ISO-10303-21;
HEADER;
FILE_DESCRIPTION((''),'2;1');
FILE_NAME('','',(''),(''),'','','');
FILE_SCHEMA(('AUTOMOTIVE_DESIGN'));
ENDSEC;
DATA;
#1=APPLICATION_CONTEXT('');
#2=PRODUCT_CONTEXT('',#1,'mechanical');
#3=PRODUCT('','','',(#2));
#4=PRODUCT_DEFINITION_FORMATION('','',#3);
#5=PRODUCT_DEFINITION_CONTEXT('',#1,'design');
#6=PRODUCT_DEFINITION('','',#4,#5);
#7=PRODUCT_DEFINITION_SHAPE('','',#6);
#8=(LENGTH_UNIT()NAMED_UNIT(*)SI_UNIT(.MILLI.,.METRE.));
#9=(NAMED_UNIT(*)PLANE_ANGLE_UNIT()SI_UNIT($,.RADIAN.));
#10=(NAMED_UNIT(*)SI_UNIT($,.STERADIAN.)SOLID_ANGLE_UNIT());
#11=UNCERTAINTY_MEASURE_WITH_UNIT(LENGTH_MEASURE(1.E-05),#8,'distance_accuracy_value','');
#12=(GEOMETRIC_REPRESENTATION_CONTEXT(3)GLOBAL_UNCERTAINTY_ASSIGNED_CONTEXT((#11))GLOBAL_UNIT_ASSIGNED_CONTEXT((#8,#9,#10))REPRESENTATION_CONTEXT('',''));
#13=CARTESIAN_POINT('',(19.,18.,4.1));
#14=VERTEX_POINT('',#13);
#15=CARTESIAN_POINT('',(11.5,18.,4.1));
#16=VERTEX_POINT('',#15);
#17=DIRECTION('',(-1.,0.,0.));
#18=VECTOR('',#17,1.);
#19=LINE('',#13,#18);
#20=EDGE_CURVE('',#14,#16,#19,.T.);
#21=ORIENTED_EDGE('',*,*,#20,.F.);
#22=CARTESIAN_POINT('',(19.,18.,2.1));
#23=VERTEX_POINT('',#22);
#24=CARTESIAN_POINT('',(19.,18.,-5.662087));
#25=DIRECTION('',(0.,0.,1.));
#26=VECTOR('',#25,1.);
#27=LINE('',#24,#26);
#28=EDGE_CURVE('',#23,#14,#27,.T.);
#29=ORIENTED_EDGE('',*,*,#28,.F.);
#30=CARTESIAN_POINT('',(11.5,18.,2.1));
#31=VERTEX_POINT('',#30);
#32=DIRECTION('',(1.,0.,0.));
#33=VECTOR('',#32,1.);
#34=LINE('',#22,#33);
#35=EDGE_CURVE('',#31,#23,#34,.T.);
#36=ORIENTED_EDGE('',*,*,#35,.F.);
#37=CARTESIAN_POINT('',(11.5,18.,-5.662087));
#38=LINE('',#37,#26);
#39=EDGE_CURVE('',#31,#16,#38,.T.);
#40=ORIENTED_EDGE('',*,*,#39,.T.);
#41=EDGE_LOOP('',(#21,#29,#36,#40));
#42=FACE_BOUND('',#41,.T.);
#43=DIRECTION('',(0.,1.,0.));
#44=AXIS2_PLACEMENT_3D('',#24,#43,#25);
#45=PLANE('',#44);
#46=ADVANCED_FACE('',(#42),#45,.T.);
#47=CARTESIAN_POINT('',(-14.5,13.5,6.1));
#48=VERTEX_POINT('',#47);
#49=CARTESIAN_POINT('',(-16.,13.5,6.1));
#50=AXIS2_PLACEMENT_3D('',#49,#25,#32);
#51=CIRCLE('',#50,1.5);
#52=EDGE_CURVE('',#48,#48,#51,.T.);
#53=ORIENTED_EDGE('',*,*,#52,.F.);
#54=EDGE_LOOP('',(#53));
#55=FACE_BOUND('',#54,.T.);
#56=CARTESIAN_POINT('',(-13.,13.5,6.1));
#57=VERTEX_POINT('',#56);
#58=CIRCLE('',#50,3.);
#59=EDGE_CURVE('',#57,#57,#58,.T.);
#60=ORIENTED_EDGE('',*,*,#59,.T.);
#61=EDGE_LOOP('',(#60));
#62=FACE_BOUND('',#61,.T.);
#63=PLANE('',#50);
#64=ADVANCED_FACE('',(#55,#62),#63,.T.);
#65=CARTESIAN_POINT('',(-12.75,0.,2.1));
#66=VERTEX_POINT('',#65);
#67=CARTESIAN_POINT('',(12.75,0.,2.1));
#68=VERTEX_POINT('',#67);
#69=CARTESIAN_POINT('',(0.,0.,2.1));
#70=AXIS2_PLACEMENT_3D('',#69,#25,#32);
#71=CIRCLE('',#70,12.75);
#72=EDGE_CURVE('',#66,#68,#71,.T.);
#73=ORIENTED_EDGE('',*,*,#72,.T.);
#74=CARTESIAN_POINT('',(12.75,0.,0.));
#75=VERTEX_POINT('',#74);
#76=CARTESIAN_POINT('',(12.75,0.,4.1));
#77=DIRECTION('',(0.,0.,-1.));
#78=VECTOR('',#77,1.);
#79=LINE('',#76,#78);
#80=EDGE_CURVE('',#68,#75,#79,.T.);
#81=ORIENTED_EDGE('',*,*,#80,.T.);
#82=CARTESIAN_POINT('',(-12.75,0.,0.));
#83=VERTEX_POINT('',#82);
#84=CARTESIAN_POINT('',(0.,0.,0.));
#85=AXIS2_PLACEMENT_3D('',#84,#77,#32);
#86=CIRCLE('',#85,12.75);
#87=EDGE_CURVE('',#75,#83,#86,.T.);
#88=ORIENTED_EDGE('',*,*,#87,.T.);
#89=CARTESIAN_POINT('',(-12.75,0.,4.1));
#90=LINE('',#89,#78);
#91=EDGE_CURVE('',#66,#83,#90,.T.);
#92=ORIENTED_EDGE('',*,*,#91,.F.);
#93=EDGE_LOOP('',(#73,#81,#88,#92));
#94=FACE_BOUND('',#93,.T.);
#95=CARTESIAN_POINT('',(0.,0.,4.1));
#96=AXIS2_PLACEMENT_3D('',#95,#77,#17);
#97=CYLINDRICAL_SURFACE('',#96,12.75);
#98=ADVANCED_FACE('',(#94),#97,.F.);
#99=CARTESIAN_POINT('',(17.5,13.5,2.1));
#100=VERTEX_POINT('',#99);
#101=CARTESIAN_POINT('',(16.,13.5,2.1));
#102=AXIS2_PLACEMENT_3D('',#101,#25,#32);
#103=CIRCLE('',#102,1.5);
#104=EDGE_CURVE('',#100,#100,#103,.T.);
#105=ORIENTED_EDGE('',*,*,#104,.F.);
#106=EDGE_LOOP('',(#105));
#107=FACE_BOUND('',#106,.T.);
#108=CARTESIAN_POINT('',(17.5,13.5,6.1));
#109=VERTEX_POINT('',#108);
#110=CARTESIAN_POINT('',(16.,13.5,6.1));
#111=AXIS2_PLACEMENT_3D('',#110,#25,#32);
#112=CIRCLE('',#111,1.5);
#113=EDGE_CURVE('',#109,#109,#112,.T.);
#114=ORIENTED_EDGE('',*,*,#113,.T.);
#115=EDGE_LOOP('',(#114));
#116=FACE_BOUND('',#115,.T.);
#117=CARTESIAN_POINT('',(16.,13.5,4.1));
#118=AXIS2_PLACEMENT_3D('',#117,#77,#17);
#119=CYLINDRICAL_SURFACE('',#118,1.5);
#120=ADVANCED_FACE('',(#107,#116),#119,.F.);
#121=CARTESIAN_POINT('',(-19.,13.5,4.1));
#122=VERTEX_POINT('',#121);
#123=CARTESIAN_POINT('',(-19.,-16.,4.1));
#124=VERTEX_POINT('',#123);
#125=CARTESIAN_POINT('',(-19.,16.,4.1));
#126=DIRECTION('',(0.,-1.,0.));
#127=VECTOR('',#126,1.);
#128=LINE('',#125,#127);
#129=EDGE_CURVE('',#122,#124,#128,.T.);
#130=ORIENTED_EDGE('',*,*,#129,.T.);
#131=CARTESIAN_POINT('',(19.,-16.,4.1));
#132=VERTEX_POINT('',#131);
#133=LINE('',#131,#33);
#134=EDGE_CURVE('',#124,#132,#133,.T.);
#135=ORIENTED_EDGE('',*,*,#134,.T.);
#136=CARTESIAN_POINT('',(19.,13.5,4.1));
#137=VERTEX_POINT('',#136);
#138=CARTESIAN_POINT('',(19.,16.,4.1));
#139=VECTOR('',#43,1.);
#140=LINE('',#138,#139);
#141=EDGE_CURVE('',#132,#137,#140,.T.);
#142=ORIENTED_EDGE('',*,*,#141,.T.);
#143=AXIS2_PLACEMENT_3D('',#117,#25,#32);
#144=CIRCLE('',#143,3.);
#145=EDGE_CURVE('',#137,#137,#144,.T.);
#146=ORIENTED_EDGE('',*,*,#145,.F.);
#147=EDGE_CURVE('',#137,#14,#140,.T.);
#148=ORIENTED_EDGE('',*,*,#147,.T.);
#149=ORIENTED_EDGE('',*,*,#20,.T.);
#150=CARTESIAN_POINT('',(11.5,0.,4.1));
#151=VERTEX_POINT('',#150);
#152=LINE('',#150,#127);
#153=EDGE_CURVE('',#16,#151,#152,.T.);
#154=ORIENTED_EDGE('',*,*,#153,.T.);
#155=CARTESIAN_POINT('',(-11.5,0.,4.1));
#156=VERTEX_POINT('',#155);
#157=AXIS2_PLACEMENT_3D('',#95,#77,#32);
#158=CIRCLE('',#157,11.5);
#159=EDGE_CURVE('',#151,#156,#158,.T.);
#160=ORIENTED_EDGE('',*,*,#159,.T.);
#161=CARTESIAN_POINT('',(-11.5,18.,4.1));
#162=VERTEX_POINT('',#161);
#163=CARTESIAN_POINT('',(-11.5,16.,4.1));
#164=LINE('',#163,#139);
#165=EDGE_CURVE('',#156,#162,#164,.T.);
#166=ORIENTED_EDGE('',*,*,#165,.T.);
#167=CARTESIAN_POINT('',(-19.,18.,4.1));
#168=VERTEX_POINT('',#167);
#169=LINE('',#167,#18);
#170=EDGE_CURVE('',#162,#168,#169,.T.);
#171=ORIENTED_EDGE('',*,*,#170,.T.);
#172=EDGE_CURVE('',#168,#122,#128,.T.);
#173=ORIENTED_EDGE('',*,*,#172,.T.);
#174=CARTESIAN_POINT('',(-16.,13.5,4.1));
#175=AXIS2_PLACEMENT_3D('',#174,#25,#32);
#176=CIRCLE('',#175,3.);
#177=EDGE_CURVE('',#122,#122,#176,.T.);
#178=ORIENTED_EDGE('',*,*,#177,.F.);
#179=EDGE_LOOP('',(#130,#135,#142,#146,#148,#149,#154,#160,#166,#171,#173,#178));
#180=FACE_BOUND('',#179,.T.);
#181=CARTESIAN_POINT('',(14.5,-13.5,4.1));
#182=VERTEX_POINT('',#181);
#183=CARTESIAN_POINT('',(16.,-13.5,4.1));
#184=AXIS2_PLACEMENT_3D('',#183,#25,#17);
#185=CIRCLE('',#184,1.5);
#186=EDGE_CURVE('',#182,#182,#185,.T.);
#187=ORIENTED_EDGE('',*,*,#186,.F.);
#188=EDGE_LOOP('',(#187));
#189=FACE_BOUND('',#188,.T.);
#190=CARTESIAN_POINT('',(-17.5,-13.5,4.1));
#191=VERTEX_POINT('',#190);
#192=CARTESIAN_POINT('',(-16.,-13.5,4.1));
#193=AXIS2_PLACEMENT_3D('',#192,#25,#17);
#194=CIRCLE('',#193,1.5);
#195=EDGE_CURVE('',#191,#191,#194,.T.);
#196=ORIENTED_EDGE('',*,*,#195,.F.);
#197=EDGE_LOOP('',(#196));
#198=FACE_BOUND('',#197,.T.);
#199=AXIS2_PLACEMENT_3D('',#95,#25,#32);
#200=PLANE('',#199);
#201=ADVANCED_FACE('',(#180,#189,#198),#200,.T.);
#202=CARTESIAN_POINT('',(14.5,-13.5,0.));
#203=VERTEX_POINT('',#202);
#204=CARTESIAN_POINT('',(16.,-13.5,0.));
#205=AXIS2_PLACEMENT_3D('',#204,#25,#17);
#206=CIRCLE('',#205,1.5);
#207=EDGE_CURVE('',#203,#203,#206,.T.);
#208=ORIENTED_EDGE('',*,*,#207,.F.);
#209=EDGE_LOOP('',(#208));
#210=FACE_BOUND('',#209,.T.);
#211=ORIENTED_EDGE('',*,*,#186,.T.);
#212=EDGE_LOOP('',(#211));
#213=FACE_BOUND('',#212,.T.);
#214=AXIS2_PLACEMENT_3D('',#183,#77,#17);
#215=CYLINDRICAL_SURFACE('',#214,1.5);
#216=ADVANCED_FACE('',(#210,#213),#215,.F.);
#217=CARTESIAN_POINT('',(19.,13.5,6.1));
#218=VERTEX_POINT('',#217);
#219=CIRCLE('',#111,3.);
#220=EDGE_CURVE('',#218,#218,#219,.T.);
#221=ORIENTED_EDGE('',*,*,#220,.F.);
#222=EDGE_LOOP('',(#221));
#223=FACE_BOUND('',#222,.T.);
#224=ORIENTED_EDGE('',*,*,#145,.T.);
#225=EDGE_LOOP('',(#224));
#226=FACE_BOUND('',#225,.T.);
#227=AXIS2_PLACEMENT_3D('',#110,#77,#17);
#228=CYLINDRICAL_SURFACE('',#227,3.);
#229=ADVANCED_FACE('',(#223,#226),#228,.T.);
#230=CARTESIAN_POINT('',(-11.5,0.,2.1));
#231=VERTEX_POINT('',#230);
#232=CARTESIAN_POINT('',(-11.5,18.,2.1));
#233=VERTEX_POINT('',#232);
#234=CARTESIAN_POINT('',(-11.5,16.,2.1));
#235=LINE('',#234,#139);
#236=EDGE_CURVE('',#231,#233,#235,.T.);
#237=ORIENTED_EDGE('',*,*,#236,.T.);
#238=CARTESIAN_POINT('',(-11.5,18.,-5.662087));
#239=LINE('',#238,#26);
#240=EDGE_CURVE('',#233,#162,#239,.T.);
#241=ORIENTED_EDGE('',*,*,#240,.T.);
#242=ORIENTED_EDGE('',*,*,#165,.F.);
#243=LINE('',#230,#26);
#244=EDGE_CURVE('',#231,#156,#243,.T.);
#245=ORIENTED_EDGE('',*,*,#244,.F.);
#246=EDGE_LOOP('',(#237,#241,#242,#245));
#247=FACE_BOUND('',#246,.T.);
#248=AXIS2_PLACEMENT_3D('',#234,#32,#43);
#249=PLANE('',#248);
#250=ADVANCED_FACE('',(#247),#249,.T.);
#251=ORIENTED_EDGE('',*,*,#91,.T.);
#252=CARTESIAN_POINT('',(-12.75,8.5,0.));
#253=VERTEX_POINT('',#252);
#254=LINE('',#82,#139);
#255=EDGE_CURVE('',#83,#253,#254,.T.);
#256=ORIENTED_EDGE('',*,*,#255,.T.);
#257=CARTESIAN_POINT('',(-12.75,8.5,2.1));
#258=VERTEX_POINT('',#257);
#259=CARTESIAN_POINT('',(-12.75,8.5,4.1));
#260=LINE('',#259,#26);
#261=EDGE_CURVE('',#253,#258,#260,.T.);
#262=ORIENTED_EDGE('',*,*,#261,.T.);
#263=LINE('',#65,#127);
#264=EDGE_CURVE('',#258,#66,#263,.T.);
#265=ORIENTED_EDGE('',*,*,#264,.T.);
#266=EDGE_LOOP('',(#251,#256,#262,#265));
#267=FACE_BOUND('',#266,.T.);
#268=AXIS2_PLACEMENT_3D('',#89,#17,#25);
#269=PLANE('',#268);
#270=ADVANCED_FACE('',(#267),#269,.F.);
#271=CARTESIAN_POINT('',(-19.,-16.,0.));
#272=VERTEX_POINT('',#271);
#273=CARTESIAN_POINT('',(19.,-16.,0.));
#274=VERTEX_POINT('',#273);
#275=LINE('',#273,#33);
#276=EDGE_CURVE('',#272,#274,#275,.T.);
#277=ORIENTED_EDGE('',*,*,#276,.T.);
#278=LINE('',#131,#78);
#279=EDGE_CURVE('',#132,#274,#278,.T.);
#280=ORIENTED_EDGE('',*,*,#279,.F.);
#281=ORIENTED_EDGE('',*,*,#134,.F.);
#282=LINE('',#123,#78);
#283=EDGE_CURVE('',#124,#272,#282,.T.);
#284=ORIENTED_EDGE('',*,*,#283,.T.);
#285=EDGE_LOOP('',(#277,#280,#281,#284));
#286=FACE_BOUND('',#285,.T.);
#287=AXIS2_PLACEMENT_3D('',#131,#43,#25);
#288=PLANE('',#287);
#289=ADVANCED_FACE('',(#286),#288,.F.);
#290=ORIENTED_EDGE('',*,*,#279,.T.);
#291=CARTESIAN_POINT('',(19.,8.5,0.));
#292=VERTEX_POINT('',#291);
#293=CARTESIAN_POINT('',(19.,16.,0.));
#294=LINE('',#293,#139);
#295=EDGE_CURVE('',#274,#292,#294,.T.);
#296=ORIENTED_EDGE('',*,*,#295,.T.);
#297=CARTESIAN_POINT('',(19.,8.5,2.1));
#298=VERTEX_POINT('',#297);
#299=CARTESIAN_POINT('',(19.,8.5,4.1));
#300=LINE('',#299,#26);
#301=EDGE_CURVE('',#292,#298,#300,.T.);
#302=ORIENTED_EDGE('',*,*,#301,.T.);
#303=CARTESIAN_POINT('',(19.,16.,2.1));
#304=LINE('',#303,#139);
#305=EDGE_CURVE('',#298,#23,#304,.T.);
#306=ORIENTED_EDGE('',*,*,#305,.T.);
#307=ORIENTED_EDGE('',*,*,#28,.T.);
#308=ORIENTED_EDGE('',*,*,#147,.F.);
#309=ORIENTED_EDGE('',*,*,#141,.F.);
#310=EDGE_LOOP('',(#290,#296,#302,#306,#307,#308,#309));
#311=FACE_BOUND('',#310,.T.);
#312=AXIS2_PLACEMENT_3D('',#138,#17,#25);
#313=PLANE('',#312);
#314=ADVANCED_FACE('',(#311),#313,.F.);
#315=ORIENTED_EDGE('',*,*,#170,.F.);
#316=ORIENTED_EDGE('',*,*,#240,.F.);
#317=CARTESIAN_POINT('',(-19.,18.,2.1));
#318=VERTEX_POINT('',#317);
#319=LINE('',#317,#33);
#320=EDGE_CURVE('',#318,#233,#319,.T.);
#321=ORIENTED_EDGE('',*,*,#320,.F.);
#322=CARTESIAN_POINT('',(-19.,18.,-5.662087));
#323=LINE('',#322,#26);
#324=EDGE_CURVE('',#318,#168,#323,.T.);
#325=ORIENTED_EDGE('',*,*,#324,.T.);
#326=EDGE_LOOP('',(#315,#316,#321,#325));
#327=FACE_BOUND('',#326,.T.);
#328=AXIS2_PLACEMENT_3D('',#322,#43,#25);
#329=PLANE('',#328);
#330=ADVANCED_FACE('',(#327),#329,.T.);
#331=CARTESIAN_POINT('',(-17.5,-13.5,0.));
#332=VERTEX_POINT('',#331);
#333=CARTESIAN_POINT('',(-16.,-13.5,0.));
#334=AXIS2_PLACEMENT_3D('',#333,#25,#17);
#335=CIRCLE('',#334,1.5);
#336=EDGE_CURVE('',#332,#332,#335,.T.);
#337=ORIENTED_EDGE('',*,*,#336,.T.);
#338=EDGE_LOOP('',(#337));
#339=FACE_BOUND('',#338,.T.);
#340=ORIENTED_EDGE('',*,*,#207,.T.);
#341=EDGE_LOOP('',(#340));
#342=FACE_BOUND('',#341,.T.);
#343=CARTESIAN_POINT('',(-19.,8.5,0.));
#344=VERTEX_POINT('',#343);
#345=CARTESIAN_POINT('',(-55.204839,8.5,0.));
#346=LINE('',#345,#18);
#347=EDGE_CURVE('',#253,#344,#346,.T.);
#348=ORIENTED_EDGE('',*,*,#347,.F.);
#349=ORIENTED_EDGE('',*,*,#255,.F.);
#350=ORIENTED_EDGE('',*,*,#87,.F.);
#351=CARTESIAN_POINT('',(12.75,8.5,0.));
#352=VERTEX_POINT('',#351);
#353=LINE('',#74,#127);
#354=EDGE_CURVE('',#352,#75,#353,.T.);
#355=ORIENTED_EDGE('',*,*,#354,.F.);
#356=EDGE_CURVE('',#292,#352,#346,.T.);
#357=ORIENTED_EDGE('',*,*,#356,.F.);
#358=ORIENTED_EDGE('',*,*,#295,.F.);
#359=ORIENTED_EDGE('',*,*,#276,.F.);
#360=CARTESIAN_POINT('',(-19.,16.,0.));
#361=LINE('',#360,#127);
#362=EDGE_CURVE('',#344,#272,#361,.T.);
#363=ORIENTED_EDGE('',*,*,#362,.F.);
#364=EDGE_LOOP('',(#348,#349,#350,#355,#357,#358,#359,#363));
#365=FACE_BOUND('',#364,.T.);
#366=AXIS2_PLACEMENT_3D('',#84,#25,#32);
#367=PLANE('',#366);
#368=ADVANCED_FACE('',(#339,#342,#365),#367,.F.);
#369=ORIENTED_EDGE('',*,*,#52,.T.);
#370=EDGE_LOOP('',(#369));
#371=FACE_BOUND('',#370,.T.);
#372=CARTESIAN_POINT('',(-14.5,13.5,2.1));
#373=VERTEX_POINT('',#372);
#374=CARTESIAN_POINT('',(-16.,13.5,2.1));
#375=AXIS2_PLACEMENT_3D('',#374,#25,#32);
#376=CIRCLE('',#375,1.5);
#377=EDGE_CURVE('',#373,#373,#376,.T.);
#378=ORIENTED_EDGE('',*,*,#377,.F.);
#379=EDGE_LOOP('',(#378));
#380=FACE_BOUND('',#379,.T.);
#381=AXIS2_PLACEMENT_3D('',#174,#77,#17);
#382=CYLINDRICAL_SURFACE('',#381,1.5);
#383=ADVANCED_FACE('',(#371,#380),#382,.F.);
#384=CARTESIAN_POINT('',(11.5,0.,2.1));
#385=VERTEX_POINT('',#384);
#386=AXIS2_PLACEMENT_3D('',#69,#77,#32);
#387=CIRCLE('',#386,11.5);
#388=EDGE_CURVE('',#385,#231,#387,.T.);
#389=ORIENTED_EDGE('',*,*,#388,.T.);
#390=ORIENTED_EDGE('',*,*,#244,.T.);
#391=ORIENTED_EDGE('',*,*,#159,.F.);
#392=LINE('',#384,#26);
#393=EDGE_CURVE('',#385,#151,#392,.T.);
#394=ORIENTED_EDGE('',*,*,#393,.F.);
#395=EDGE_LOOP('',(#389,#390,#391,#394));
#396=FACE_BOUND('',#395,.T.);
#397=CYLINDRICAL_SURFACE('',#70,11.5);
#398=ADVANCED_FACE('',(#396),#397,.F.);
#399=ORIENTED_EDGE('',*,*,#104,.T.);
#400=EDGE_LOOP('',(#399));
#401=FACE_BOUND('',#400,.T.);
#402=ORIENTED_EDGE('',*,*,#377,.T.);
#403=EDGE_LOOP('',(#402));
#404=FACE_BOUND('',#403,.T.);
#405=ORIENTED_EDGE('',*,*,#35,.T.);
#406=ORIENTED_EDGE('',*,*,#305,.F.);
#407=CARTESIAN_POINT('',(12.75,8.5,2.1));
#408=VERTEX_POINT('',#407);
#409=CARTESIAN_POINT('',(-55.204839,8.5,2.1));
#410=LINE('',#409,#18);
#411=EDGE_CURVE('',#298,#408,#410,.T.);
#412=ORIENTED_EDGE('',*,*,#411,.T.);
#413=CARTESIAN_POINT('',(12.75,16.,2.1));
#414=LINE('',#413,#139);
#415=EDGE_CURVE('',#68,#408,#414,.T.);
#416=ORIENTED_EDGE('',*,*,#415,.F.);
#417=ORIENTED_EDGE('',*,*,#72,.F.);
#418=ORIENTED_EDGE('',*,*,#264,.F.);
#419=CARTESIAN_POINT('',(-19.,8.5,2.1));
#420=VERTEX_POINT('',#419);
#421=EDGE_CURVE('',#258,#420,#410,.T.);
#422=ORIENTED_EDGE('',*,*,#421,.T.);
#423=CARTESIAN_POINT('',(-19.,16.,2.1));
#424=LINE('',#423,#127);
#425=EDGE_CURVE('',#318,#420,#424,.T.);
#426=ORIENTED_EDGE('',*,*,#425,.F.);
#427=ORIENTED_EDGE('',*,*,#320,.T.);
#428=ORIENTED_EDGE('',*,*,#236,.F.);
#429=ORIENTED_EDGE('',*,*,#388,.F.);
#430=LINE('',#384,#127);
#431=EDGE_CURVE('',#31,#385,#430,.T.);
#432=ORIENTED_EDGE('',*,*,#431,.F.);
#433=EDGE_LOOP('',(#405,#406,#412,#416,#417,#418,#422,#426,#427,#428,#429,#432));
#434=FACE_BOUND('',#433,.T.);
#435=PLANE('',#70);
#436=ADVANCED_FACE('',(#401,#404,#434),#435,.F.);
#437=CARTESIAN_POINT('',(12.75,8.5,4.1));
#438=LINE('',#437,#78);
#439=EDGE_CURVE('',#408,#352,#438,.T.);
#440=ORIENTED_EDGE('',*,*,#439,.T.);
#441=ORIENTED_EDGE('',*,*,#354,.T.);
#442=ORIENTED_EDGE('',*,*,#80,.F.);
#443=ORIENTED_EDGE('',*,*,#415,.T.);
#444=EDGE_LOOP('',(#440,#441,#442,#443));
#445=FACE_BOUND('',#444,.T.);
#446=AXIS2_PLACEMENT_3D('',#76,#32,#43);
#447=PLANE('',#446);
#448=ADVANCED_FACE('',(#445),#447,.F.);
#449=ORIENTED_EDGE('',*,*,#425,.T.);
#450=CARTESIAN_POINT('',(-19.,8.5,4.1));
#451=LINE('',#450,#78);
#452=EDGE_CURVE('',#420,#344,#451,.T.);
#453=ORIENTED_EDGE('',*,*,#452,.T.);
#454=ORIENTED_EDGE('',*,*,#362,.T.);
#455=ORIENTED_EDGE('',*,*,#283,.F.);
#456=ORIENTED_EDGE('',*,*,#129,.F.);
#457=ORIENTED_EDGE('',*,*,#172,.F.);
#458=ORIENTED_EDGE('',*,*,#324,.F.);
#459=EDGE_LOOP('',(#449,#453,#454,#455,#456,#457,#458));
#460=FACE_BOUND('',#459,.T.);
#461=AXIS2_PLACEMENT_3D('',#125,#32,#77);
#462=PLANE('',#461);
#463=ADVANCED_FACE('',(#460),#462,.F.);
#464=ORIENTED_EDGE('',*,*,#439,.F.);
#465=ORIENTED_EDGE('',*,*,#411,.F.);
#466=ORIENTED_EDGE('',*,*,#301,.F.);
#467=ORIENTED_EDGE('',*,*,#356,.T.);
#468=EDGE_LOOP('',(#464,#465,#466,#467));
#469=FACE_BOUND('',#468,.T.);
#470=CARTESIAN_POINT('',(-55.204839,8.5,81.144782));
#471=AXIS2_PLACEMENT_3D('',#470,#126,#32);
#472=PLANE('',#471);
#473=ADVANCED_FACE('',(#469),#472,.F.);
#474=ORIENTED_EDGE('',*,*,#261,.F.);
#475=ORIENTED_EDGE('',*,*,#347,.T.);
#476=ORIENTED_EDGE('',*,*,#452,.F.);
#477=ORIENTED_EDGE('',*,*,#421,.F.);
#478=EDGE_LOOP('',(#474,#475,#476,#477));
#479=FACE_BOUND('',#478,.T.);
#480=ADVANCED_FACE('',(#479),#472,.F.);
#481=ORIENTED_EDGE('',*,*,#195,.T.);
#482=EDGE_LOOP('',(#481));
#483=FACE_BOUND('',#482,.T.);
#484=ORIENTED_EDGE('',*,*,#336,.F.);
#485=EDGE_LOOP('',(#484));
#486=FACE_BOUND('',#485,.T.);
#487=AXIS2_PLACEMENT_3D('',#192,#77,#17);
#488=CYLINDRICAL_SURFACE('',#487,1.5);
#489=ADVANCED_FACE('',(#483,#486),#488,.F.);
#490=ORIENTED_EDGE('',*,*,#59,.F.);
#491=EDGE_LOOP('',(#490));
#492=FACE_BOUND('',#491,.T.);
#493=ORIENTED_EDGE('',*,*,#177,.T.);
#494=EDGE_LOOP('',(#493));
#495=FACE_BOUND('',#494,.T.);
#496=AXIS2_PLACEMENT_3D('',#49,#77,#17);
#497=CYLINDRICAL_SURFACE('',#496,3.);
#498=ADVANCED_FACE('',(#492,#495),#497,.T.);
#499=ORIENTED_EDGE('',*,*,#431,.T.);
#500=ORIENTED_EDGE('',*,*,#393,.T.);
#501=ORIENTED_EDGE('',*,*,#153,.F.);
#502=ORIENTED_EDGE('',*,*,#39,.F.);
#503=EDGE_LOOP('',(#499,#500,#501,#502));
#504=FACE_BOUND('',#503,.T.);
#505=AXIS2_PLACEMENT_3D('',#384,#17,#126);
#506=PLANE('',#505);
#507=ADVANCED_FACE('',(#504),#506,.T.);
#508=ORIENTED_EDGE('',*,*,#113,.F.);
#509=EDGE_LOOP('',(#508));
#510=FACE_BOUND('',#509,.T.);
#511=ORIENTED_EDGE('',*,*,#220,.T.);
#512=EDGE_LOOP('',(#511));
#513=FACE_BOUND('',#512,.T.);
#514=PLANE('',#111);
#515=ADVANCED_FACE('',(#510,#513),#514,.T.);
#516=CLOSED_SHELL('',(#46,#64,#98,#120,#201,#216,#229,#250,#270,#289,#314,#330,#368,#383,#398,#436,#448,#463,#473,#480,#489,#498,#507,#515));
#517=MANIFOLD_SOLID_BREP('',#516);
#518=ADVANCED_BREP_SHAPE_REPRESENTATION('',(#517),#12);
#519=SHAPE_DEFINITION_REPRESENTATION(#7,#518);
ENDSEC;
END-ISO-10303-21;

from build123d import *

# Parameters (mm, degrees)
SKETCH_1_R          = 1.5
EXTRUDE_1_DEPTH     = 4.1
EXTRUDE_START       = -2
EXTRUDE_2_DEPTH     = 2
SKETCH_3_W          = 78.409677764
SKETCH_3_H          = 10
CUT_EXTRUDE_1_DEPTH = 2.1
SKETCH_4_W          = 7.5
SKETCH_4_H          = 2
EXTRUDE_3_DEPTH     = 2
SKETCH_5_R          = 3
SKETCH_5_R_2        = 1.5
EXTRUDE_4_DEPTH     = 2


with BuildPart() as part:
    # 草图1 → 凸台-拉伸1 (new body)
    with BuildSketch(Plane.XY):
        with BuildLine():
            Line((-12.75, 0), (-12.75, 16))
            Line((-12.75, 16), (-19, 16))
            Line((-19, 16), (-19, -16))
            Line((-19, -16), (19, -16))
            Line((19, -16), (19, 16))
            Line((19, 16), (12.75, 16))
            Line((12.75, 16), (12.75, 0))
            ThreePointArc((12.75, 0), (0, -12.75), (-12.75, 0))
        make_face()
        with Locations((-16, 13.5)):
            Circle(SKETCH_1_R, mode=Mode.SUBTRACT)
        with Locations((16, 13.5)):
            Circle(SKETCH_1_R, mode=Mode.SUBTRACT)
        with Locations(Location((16, -13.5, 0), (0, 0, 180))):
            Circle(SKETCH_1_R, mode=Mode.SUBTRACT)
        with Locations(Location((-16, -13.5, 0), (0, 0, 180))):
            Circle(SKETCH_1_R, mode=Mode.SUBTRACT)
    extrude(amount=EXTRUDE_1_DEPTH)

    # 草图2 → 凸台-拉伸2 (add)
    with BuildSketch(Plane.XY.offset(4.1).offset(EXTRUDE_START)):
        with BuildLine():
            Line((-12.75, 0), (-12.75, 16))
            Line((-12.75, 16), (-11.5, 16))
            Line((-11.5, 16), (-11.5, 0))
            ThreePointArc((-11.5, 0), (0, -11.5), (11.5, 0))
            Line((11.5, 0), (11.5, 16))
            Line((11.5, 16), (12.75, 16))
            Line((12.75, 16), (12.75, 0))
            ThreePointArc((12.75, 0), (0, -12.75), (-12.75, 0))
        make_face()
    extrude(amount=EXTRUDE_2_DEPTH)

    # 草图3 → 切除-拉伸1 (cut)
    with BuildSketch(Plane(origin=(0, 0, 0), x_dir=(-1, 0, 0), z_dir=(0, 0, -1))):
        with Locations((16, 13.5)):
            Rectangle(SKETCH_3_W, SKETCH_3_H)
    extrude(amount=-CUT_EXTRUDE_1_DEPTH, mode=Mode.SUBTRACT)

    # 草图4 → 凸台-拉伸3 (add)
    with BuildSketch(Plane.XY.offset(4.1)):
        with Locations((-15.25, 17)):
            Rectangle(SKETCH_4_W, SKETCH_4_H)
        with Locations((15.25, 17)):
            Rectangle(SKETCH_4_W, SKETCH_4_H)
    extrude(amount=-EXTRUDE_3_DEPTH)

    # 草图5 → 凸台-拉伸4 (add)
    # profile 1 of 2: a face of its own
    with BuildSketch(Plane.XY.offset(4.1)):
        with Locations(Location((-16, 13.5, 0), (0, 0, 180))):
            Circle(SKETCH_5_R)
        with Locations((-16, 13.5)):
            Circle(SKETCH_5_R_2, mode=Mode.SUBTRACT)
    # profile 2 of 2: a face of its own
    with BuildSketch(Plane.XY.offset(4.1)):
        with Locations((16, 13.5)):
            Circle(SKETCH_5_R)
        with Locations((16, 13.5)):
            Circle(SKETCH_5_R_2, mode=Mode.SUBTRACT)
    extrude(amount=EXTRUDE_4_DEPTH)


solid = part.part
